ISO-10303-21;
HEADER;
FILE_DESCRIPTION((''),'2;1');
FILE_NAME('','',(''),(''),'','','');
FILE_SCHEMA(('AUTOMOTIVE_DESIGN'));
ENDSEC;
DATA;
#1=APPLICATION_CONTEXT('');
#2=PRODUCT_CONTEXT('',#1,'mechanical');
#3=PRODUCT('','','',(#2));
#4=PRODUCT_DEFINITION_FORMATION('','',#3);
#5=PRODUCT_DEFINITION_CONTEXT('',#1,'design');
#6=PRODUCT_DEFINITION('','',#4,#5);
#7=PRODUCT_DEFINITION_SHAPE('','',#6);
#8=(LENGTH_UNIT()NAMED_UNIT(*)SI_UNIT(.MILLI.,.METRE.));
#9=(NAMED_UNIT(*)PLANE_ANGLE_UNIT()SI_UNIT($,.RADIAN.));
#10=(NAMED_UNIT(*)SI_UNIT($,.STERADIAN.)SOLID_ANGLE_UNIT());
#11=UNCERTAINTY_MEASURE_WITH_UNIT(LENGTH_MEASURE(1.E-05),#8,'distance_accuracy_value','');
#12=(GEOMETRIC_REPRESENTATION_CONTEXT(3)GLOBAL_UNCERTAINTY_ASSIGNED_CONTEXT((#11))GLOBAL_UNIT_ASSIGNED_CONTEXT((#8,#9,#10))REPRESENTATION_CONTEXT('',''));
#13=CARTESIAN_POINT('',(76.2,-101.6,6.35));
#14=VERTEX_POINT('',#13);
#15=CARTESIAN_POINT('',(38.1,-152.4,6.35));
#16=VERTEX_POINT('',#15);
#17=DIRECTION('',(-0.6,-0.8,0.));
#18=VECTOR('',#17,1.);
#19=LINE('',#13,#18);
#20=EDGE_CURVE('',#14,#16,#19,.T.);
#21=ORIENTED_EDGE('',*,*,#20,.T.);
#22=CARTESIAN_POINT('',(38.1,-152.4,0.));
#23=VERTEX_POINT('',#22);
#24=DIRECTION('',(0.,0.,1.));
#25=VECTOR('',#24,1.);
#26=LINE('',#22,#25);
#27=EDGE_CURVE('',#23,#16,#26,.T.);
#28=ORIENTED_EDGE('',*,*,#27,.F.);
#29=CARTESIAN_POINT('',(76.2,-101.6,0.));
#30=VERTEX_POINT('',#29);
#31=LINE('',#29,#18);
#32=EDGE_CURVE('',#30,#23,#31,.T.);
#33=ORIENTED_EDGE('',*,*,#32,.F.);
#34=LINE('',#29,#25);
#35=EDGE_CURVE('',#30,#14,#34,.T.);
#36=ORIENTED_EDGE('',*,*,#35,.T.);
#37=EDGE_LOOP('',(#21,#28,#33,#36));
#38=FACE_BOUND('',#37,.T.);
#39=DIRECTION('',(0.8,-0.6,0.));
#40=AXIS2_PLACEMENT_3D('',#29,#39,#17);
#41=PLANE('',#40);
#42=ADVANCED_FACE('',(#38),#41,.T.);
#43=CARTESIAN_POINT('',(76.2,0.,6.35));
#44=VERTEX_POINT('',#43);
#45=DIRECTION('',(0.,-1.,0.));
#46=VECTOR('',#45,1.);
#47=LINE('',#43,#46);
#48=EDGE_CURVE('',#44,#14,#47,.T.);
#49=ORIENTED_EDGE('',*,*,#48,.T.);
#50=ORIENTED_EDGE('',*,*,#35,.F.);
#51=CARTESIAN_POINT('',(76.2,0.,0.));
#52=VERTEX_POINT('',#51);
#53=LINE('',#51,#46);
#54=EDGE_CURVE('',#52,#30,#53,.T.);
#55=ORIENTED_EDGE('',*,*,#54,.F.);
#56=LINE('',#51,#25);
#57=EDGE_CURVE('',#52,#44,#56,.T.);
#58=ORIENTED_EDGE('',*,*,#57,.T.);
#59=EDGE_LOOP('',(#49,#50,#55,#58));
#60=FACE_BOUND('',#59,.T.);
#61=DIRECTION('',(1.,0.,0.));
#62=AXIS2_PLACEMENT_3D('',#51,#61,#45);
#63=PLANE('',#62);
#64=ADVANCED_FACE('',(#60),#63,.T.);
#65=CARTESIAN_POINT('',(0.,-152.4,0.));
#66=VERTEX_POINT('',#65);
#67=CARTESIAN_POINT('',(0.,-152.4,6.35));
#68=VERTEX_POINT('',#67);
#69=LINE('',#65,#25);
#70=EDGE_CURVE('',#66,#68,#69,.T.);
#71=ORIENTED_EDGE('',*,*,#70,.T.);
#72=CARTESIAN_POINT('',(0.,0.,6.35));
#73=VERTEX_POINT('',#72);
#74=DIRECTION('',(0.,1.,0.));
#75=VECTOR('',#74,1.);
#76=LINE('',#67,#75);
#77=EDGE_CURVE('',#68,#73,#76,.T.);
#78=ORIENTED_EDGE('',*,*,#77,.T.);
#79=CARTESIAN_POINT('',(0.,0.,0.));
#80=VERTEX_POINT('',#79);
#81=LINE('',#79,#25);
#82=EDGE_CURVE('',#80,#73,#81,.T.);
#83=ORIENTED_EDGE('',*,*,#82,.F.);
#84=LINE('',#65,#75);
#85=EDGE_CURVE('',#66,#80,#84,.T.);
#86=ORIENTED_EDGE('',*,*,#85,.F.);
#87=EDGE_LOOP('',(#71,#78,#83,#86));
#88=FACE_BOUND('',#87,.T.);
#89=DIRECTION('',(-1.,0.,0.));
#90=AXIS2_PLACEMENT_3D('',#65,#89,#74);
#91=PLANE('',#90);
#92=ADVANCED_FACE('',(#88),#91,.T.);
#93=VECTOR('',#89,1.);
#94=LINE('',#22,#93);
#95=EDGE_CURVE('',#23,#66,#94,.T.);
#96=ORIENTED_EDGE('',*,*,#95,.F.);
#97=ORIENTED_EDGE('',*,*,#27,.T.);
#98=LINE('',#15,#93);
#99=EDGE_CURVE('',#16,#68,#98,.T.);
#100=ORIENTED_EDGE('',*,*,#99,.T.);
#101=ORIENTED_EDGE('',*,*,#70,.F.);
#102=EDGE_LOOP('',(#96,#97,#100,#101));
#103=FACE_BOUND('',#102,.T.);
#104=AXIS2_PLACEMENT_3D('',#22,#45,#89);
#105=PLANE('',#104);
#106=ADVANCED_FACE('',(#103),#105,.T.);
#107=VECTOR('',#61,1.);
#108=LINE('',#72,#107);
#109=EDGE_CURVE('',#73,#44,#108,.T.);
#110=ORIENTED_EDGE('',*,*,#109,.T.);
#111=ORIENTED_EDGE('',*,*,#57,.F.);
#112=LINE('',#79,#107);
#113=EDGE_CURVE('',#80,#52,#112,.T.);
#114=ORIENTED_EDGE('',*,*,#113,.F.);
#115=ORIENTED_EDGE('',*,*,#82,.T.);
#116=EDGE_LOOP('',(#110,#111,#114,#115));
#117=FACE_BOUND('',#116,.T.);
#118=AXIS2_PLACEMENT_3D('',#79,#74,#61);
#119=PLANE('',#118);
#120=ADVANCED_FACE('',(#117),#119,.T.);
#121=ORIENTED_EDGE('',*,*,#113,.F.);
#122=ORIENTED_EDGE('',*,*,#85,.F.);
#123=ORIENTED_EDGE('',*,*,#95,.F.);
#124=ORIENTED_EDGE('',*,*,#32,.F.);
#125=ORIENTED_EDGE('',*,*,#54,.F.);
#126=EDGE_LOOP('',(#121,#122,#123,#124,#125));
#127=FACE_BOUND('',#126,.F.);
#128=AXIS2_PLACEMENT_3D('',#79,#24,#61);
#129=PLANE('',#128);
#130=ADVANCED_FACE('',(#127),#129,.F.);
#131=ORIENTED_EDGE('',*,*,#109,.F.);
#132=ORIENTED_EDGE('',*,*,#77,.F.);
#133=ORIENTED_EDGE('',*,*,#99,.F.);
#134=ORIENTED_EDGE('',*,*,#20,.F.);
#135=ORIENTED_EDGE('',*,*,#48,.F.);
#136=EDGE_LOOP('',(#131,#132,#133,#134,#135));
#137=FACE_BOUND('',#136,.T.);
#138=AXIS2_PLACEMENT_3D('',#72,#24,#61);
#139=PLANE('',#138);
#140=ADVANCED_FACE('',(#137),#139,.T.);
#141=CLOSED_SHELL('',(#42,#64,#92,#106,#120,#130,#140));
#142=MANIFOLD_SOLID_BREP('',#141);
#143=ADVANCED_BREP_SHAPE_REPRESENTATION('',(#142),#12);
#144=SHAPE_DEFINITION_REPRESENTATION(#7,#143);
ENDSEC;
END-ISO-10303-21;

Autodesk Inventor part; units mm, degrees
ref_plane "YZ Plane" through (0, 0, 0) normal (1, 0, 0) x (0, 1, 0)
ref_plane "XZ Plane" through (0, 0, 0) normal (0, 1, 0) x (-1, 0, 0)
ref_plane "XY Plane" through (0, 0, 0) normal (0, 0, 1) x (1, 0, 0)
sketch "Sketch1" plane through (0, 0, 0) normal (0, 0, 1) x (1, 0, 0)
  line L0 (0, 0) -> (76.2, 0)
  line L1 (76.2, 0) -> (76.2, -101.6)
  line L2 (38.1, -152.4) -> (0, -152.4)
  line L3 (0, -152.4) -> (0, 0)
  line L4 (76.2, -101.6) -> (38.1, -152.4)
  dimension "d4" = 76.2
  dimension "d5" = 152.4
  dimension "d6" = 101.6
  dimension "d7" = 38.1
extrude "Extrusion1" add sketch "Sketch1" along normal blind 6.35
properties part number "GE-12016-04"
